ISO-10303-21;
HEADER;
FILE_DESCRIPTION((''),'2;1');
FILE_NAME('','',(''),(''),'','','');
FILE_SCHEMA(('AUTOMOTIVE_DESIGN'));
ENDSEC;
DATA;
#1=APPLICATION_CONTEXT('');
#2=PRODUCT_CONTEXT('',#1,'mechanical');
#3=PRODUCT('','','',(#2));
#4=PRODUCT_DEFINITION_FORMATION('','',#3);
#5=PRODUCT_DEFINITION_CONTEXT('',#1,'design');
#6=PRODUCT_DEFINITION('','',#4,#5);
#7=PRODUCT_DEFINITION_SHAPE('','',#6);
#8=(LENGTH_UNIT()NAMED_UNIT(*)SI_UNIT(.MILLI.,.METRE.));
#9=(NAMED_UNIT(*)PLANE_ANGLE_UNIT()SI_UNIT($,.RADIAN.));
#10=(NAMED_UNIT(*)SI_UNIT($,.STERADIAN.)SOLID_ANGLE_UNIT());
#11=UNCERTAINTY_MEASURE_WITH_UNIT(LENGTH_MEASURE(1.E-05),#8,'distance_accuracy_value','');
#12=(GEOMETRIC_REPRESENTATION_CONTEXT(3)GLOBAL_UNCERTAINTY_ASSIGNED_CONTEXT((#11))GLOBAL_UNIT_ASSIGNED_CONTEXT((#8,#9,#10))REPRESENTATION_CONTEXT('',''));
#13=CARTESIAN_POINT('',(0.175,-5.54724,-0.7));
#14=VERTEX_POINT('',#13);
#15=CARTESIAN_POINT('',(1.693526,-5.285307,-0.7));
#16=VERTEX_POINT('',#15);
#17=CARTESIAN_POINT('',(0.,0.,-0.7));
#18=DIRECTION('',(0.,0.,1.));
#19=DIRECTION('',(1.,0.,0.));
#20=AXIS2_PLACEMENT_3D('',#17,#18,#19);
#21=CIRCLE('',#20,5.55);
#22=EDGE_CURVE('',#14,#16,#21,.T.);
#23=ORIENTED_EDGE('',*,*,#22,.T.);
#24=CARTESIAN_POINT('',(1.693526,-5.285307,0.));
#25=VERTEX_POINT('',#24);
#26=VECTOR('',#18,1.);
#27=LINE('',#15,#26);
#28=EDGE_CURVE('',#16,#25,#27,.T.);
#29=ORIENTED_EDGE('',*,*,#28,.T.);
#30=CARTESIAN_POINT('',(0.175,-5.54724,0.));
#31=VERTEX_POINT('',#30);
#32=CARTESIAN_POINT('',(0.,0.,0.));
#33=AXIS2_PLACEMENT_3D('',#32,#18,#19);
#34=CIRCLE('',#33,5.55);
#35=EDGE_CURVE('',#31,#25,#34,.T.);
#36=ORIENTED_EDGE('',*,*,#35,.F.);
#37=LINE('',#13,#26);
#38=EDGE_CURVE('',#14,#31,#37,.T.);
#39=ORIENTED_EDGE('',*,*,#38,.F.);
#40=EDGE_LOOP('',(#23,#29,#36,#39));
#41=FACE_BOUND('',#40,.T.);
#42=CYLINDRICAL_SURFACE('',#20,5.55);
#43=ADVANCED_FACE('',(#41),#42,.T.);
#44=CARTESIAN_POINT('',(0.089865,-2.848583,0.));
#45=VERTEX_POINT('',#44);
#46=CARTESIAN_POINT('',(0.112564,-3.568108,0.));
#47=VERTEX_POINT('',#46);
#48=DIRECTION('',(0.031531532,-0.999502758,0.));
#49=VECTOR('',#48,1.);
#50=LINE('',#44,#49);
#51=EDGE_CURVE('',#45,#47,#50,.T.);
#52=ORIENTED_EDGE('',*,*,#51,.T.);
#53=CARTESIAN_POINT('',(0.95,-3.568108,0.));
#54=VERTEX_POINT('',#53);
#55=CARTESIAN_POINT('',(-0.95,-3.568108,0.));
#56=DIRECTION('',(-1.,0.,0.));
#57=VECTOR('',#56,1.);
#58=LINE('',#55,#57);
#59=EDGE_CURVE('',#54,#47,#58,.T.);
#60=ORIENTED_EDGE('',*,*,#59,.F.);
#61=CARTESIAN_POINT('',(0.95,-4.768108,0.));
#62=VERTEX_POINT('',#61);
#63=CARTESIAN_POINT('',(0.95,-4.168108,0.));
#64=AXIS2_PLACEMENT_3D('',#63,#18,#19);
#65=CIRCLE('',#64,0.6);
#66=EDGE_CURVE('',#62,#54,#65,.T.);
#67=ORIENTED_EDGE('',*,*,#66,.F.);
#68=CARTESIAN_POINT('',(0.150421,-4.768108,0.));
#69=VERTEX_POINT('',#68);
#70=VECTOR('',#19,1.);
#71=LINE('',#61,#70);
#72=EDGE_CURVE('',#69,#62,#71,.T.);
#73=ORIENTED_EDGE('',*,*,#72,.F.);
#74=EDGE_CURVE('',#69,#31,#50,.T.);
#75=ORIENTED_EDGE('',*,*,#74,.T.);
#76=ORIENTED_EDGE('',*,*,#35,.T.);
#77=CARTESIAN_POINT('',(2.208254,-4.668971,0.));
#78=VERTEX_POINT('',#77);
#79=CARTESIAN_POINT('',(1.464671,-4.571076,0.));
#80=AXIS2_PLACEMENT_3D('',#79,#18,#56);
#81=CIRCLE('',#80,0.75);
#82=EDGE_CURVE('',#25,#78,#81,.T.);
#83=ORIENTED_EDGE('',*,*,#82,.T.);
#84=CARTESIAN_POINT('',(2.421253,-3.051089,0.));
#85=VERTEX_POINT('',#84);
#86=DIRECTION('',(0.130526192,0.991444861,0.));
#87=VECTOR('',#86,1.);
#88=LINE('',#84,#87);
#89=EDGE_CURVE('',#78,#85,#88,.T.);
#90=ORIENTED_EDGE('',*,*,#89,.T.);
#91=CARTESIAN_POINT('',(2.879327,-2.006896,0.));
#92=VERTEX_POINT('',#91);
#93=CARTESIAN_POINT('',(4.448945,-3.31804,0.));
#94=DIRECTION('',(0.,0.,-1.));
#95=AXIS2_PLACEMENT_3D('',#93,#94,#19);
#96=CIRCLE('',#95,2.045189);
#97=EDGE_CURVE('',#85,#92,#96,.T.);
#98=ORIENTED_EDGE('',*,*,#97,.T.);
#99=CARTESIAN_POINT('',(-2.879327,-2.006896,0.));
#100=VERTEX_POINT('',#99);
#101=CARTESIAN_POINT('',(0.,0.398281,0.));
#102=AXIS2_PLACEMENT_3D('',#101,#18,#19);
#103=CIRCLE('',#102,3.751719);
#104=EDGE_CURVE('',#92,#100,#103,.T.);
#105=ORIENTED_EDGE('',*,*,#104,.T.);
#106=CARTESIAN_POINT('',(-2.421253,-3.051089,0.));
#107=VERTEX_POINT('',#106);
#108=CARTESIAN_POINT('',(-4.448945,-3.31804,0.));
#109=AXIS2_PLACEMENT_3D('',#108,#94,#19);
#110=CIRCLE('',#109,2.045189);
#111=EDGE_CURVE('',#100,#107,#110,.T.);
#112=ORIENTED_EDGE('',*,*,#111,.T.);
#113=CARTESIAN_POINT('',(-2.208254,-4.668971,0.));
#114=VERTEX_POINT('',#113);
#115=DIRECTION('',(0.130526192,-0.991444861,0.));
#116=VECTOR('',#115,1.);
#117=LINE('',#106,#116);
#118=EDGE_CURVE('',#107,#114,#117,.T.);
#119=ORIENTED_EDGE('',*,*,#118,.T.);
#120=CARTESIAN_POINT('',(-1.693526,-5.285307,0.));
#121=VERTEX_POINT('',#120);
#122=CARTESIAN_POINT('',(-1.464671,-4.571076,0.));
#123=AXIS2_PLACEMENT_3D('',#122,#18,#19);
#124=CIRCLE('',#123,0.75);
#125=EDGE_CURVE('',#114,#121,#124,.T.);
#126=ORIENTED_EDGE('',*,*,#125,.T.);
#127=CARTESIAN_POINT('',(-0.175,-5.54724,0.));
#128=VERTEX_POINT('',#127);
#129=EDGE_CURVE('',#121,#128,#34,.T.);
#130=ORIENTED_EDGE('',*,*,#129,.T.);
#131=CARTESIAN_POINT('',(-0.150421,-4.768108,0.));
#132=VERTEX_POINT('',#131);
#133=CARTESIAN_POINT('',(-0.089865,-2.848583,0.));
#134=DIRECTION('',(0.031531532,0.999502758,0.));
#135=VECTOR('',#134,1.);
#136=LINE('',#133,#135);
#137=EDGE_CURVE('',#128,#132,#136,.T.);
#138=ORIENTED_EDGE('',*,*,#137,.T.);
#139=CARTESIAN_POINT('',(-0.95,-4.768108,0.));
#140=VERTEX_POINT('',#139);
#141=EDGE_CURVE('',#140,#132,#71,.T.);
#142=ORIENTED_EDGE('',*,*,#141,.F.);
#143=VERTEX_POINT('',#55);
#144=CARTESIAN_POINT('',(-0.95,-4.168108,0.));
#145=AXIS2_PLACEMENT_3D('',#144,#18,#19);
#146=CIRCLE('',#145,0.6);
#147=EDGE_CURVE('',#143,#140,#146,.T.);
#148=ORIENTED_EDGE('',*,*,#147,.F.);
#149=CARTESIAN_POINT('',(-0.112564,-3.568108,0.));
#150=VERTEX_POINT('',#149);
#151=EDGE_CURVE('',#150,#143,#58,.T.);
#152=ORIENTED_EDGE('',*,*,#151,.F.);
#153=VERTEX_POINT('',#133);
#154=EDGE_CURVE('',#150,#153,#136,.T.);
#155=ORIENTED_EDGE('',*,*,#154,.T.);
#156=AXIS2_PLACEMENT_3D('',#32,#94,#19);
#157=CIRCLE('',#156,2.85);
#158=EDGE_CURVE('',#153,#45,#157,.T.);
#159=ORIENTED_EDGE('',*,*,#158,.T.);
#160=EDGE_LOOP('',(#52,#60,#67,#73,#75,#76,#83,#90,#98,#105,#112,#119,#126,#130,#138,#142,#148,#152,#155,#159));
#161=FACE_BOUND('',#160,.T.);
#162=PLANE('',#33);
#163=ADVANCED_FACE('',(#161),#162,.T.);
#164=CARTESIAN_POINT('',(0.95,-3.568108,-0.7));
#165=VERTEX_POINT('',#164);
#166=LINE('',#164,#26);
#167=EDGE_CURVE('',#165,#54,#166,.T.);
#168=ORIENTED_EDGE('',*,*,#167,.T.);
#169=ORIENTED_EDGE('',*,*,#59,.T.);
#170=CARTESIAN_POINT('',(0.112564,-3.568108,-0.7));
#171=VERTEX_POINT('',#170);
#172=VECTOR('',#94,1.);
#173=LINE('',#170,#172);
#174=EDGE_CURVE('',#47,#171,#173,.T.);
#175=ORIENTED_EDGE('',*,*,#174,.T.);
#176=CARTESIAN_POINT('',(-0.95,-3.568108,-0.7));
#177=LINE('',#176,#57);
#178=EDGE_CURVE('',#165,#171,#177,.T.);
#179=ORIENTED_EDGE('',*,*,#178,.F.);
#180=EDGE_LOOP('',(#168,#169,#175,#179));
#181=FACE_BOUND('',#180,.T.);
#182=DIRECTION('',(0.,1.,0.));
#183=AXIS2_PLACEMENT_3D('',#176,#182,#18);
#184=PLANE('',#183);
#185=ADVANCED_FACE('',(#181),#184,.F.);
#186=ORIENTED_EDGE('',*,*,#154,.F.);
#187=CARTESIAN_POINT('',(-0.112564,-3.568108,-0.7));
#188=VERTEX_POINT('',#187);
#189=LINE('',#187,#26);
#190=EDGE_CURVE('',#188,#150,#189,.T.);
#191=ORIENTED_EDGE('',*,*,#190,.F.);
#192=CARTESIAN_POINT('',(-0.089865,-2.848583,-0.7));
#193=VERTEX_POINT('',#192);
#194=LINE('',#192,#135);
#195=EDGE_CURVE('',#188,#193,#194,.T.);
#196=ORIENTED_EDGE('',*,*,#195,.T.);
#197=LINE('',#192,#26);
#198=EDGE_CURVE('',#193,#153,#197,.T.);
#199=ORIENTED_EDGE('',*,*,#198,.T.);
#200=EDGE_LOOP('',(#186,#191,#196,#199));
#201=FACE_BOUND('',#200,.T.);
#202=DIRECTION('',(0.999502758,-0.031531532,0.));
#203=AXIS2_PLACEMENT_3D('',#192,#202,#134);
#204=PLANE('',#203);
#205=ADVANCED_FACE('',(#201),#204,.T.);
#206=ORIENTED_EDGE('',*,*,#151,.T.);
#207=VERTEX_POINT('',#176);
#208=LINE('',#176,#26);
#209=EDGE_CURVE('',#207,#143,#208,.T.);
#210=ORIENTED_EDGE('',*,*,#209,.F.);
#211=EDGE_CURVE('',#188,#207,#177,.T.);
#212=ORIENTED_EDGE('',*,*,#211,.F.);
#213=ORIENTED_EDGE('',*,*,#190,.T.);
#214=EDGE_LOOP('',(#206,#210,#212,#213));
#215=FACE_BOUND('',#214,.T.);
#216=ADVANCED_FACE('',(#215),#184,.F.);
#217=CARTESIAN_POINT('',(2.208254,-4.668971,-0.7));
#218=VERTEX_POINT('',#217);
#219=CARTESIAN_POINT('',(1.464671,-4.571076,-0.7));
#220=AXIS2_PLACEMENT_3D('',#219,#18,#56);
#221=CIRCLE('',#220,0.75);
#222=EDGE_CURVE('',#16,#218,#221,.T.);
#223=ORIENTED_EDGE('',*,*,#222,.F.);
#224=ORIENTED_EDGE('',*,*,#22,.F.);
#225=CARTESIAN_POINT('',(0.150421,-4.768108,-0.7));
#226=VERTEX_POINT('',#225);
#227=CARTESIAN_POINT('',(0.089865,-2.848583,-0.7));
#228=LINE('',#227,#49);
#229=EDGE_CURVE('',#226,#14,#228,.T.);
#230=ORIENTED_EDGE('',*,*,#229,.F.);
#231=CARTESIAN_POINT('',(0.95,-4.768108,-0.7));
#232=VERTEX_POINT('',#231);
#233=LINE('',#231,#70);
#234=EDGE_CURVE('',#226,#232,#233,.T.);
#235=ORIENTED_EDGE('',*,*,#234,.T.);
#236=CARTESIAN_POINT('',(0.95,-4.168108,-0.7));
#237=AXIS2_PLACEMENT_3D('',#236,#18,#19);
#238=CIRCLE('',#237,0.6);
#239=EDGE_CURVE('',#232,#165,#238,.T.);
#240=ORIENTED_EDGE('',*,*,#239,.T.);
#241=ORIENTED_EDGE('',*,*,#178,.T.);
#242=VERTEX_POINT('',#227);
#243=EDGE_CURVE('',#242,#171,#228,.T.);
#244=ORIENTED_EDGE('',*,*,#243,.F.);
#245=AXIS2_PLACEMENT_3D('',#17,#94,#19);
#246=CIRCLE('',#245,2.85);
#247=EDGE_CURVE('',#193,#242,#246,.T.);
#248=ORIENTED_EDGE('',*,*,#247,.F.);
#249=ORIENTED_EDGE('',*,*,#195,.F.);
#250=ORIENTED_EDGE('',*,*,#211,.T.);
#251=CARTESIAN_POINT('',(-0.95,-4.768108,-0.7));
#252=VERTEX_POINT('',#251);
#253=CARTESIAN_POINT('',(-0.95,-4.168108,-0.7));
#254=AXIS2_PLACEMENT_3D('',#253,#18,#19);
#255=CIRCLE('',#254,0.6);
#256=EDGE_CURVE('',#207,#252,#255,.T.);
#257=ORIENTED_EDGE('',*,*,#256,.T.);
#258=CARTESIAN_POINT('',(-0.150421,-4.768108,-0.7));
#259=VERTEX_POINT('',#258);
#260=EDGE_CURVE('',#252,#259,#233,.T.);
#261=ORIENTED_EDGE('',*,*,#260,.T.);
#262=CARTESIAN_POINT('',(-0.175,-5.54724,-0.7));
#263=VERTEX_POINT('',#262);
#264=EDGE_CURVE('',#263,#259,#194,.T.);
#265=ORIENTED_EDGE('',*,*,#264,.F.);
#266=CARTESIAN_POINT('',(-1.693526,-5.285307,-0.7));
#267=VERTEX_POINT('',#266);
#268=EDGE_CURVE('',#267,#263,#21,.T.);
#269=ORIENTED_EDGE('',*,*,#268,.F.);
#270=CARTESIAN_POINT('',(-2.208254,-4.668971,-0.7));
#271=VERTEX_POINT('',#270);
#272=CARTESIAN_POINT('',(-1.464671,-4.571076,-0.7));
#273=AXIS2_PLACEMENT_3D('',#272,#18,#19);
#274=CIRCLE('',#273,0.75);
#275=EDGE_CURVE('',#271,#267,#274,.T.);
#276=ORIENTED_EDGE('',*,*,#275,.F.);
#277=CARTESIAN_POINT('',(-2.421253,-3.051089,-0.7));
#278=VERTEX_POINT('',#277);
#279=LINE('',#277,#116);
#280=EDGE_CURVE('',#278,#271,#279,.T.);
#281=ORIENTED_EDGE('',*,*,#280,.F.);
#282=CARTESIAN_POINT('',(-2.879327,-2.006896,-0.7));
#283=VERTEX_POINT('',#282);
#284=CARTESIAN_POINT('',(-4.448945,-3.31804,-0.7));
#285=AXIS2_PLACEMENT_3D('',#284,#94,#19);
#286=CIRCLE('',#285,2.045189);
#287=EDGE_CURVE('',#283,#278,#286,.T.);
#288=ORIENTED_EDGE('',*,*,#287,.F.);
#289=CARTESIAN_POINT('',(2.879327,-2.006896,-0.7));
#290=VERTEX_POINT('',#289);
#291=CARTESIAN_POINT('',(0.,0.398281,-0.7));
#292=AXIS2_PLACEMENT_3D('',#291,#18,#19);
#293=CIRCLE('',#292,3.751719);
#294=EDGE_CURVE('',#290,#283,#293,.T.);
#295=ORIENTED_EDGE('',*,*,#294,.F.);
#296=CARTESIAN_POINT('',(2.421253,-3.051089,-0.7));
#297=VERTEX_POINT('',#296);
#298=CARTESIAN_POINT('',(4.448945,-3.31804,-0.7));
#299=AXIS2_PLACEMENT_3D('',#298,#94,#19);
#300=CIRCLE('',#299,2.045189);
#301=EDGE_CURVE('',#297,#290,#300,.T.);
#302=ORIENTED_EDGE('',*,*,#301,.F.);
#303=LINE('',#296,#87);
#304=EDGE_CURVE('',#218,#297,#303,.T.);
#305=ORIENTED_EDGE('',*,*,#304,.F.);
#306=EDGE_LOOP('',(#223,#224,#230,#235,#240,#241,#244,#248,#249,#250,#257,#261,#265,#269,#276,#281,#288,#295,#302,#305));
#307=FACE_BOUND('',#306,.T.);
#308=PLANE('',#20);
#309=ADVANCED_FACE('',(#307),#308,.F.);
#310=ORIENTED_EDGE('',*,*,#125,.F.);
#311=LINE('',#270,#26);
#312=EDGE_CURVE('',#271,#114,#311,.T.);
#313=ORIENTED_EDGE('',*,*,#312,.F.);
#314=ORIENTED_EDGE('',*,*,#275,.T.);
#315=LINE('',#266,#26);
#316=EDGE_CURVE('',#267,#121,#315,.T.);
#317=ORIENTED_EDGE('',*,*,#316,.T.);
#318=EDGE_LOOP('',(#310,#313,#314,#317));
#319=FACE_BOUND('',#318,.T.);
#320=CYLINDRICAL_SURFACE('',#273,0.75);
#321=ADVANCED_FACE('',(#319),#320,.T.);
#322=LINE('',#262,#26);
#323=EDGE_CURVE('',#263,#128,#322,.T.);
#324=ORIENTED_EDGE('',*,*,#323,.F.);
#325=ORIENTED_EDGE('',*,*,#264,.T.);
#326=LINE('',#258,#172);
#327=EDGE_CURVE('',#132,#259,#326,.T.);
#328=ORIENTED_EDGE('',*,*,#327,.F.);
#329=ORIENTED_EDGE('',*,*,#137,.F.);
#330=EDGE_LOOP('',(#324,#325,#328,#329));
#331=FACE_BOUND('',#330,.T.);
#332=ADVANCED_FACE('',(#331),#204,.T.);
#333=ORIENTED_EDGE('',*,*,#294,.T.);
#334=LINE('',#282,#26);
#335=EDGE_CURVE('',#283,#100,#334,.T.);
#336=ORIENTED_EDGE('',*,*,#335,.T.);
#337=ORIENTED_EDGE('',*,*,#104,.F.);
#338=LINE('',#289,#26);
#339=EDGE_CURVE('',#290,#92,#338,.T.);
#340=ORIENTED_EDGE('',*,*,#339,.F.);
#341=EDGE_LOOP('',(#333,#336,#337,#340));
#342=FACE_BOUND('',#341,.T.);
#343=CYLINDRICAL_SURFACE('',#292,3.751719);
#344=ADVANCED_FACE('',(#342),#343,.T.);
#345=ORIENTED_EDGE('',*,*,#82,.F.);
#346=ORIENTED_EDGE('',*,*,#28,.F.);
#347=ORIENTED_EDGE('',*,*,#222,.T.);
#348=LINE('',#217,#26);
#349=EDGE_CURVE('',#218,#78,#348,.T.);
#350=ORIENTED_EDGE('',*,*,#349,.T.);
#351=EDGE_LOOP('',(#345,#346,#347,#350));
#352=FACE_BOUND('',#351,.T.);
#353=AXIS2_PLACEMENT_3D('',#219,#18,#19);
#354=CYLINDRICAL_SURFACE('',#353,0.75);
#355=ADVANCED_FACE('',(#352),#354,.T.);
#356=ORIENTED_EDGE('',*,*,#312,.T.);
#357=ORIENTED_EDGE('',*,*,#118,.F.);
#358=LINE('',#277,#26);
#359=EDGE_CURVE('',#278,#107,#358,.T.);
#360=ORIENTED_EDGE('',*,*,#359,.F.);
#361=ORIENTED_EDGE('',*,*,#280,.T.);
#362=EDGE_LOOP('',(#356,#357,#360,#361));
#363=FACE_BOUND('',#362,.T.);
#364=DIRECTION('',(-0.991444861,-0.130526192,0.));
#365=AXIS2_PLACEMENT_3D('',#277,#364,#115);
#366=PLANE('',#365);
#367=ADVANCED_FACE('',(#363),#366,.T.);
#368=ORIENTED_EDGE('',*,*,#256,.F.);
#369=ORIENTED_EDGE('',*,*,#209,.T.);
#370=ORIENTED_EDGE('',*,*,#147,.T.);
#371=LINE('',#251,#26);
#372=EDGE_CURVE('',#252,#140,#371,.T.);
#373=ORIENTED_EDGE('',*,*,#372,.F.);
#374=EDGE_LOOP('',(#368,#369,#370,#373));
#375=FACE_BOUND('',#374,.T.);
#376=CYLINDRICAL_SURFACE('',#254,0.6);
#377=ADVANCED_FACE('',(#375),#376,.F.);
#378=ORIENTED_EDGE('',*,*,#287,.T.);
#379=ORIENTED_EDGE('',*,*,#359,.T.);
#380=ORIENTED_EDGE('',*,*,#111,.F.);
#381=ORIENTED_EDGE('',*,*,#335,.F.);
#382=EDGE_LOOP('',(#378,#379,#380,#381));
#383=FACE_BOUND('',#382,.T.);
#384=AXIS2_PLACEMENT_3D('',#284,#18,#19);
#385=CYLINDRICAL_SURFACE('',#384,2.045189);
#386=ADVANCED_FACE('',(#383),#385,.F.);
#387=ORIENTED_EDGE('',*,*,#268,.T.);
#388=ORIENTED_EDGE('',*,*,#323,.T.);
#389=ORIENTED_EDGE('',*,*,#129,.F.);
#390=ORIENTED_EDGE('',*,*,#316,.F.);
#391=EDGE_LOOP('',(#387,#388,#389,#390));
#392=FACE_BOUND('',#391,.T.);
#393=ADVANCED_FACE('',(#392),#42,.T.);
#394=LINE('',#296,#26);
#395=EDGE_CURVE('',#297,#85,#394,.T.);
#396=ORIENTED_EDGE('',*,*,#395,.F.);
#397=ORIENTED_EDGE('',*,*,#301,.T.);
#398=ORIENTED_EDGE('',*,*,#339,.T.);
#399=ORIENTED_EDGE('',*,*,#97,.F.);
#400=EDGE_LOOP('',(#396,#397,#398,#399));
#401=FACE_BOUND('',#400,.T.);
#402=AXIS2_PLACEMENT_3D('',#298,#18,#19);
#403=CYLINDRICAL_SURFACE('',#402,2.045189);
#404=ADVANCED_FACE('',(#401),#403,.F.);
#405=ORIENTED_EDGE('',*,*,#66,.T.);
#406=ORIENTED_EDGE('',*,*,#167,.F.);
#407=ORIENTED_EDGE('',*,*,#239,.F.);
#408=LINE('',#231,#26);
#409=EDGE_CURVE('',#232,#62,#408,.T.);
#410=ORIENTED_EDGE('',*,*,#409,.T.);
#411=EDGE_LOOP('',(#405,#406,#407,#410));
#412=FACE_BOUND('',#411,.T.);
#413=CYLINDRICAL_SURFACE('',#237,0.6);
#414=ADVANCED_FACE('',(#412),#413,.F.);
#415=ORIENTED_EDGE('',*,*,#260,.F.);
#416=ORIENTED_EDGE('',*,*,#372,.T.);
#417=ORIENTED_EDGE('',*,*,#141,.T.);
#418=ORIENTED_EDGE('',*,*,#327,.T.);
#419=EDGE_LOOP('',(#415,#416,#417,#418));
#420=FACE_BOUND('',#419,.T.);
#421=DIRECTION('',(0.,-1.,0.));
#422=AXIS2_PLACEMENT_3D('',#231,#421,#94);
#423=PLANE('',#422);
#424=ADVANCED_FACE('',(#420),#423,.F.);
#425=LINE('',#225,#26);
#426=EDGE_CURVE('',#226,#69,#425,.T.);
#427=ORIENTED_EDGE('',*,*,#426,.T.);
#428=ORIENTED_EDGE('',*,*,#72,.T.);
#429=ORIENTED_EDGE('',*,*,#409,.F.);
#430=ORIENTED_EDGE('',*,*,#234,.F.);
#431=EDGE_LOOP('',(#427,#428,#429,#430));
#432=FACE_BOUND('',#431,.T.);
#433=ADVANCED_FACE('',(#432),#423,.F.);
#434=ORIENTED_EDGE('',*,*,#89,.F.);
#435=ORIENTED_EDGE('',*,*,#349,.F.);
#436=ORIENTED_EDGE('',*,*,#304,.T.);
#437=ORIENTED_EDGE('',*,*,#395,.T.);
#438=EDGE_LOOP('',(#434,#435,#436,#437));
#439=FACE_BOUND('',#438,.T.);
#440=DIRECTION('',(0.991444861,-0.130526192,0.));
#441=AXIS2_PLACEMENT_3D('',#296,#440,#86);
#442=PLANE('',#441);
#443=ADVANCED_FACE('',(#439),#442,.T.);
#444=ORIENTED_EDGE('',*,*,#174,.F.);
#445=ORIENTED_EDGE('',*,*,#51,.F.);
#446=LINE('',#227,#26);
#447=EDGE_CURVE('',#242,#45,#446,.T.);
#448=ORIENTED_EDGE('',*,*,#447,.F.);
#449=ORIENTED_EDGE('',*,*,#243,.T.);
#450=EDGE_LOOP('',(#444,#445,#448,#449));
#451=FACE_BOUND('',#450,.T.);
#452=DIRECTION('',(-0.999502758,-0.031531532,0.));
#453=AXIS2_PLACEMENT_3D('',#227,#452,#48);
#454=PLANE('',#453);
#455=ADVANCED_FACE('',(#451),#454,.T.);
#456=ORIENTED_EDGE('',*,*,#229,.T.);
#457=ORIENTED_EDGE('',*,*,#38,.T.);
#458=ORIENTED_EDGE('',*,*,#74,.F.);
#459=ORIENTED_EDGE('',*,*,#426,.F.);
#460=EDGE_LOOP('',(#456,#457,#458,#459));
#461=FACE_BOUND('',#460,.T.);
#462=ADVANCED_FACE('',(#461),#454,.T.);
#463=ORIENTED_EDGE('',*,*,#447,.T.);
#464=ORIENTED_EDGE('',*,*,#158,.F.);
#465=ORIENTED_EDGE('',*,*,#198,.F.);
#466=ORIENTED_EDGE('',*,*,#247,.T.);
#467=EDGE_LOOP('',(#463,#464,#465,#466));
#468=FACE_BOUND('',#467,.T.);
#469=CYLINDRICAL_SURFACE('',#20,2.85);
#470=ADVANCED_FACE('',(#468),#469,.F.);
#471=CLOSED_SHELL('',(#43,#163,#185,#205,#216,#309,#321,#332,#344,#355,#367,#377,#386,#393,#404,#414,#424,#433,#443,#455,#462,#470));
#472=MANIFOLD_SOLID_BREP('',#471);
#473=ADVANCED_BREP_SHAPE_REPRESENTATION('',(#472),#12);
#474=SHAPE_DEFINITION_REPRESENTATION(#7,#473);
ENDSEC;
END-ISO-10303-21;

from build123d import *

# Parameters (mm, degrees)
BODYSKE_R   = 0.6
BODY_DEPTH  = 0.7
NOTSKE_W    = 1.9
NOTSKE_H    = 1.2
NOTCH_DEPTH = 7.733295861


with BuildPart() as part:
    # BodySke → Body (new body)
    with BuildSketch(Plane.XY):
        with BuildLine():
            Line((0.089864865, -2.848582859), (0.175, -5.547240305))
            ThreePointArc((0.175, -5.547240305), (0.943397685, -5.469232195), (1.693525559, -5.285307104))
            ThreePointArc((1.693525559, -5.285307104), (2.040324005, -5.051829297), (2.2082544, -4.668971058))
            Line((2.2082544, -4.668971058), (2.421252601, -3.051089095))
            ThreePointArc((2.421252601, -3.051089095), (2.576047275, -2.4964236), (2.879326572, -2.006896409))
            ThreePointArc((2.879326572, -2.006896409), (0, 4.15), (-2.879326572, -2.006896409))
            ThreePointArc((-2.879326572, -2.006896409), (-2.576047275, -2.4964236), (-2.421252601, -3.051089095))
            Line((-2.421252601, -3.051089095), (-2.2082544, -4.668971058))
            ThreePointArc((-2.2082544, -4.668971058), (-2.040324005, -5.051829297), (-1.693525559, -5.285307104))
            ThreePointArc((-1.693525559, -5.285307104), (-0.943397685, -5.469232195), (-0.175, -5.547240305))
            Line((-0.175, -5.547240305), (-0.089864865, -2.848582859))
            ThreePointArc((-0.089864865, -2.848582859), (0, 2.85), (0.089864865, -2.848582859))
        make_face()
        with Locations((0.95, -4.168108084)):
            Circle(BODYSKE_R, mode=Mode.SUBTRACT)
        with Locations((-0.95, -4.168108084)):
            Circle(BODYSKE_R, mode=Mode.SUBTRACT)
    extrude(amount=-BODY_DEPTH)

    # NotSke → Notch (cut, through all)
    with BuildSketch(Plane.XY):
        with Locations((0, -4.168108084)):
            Rectangle(NOTSKE_W, NOTSKE_H)
    extrude(amount=-NOTCH_DEPTH, mode=Mode.SUBTRACT)


solid = part.part
